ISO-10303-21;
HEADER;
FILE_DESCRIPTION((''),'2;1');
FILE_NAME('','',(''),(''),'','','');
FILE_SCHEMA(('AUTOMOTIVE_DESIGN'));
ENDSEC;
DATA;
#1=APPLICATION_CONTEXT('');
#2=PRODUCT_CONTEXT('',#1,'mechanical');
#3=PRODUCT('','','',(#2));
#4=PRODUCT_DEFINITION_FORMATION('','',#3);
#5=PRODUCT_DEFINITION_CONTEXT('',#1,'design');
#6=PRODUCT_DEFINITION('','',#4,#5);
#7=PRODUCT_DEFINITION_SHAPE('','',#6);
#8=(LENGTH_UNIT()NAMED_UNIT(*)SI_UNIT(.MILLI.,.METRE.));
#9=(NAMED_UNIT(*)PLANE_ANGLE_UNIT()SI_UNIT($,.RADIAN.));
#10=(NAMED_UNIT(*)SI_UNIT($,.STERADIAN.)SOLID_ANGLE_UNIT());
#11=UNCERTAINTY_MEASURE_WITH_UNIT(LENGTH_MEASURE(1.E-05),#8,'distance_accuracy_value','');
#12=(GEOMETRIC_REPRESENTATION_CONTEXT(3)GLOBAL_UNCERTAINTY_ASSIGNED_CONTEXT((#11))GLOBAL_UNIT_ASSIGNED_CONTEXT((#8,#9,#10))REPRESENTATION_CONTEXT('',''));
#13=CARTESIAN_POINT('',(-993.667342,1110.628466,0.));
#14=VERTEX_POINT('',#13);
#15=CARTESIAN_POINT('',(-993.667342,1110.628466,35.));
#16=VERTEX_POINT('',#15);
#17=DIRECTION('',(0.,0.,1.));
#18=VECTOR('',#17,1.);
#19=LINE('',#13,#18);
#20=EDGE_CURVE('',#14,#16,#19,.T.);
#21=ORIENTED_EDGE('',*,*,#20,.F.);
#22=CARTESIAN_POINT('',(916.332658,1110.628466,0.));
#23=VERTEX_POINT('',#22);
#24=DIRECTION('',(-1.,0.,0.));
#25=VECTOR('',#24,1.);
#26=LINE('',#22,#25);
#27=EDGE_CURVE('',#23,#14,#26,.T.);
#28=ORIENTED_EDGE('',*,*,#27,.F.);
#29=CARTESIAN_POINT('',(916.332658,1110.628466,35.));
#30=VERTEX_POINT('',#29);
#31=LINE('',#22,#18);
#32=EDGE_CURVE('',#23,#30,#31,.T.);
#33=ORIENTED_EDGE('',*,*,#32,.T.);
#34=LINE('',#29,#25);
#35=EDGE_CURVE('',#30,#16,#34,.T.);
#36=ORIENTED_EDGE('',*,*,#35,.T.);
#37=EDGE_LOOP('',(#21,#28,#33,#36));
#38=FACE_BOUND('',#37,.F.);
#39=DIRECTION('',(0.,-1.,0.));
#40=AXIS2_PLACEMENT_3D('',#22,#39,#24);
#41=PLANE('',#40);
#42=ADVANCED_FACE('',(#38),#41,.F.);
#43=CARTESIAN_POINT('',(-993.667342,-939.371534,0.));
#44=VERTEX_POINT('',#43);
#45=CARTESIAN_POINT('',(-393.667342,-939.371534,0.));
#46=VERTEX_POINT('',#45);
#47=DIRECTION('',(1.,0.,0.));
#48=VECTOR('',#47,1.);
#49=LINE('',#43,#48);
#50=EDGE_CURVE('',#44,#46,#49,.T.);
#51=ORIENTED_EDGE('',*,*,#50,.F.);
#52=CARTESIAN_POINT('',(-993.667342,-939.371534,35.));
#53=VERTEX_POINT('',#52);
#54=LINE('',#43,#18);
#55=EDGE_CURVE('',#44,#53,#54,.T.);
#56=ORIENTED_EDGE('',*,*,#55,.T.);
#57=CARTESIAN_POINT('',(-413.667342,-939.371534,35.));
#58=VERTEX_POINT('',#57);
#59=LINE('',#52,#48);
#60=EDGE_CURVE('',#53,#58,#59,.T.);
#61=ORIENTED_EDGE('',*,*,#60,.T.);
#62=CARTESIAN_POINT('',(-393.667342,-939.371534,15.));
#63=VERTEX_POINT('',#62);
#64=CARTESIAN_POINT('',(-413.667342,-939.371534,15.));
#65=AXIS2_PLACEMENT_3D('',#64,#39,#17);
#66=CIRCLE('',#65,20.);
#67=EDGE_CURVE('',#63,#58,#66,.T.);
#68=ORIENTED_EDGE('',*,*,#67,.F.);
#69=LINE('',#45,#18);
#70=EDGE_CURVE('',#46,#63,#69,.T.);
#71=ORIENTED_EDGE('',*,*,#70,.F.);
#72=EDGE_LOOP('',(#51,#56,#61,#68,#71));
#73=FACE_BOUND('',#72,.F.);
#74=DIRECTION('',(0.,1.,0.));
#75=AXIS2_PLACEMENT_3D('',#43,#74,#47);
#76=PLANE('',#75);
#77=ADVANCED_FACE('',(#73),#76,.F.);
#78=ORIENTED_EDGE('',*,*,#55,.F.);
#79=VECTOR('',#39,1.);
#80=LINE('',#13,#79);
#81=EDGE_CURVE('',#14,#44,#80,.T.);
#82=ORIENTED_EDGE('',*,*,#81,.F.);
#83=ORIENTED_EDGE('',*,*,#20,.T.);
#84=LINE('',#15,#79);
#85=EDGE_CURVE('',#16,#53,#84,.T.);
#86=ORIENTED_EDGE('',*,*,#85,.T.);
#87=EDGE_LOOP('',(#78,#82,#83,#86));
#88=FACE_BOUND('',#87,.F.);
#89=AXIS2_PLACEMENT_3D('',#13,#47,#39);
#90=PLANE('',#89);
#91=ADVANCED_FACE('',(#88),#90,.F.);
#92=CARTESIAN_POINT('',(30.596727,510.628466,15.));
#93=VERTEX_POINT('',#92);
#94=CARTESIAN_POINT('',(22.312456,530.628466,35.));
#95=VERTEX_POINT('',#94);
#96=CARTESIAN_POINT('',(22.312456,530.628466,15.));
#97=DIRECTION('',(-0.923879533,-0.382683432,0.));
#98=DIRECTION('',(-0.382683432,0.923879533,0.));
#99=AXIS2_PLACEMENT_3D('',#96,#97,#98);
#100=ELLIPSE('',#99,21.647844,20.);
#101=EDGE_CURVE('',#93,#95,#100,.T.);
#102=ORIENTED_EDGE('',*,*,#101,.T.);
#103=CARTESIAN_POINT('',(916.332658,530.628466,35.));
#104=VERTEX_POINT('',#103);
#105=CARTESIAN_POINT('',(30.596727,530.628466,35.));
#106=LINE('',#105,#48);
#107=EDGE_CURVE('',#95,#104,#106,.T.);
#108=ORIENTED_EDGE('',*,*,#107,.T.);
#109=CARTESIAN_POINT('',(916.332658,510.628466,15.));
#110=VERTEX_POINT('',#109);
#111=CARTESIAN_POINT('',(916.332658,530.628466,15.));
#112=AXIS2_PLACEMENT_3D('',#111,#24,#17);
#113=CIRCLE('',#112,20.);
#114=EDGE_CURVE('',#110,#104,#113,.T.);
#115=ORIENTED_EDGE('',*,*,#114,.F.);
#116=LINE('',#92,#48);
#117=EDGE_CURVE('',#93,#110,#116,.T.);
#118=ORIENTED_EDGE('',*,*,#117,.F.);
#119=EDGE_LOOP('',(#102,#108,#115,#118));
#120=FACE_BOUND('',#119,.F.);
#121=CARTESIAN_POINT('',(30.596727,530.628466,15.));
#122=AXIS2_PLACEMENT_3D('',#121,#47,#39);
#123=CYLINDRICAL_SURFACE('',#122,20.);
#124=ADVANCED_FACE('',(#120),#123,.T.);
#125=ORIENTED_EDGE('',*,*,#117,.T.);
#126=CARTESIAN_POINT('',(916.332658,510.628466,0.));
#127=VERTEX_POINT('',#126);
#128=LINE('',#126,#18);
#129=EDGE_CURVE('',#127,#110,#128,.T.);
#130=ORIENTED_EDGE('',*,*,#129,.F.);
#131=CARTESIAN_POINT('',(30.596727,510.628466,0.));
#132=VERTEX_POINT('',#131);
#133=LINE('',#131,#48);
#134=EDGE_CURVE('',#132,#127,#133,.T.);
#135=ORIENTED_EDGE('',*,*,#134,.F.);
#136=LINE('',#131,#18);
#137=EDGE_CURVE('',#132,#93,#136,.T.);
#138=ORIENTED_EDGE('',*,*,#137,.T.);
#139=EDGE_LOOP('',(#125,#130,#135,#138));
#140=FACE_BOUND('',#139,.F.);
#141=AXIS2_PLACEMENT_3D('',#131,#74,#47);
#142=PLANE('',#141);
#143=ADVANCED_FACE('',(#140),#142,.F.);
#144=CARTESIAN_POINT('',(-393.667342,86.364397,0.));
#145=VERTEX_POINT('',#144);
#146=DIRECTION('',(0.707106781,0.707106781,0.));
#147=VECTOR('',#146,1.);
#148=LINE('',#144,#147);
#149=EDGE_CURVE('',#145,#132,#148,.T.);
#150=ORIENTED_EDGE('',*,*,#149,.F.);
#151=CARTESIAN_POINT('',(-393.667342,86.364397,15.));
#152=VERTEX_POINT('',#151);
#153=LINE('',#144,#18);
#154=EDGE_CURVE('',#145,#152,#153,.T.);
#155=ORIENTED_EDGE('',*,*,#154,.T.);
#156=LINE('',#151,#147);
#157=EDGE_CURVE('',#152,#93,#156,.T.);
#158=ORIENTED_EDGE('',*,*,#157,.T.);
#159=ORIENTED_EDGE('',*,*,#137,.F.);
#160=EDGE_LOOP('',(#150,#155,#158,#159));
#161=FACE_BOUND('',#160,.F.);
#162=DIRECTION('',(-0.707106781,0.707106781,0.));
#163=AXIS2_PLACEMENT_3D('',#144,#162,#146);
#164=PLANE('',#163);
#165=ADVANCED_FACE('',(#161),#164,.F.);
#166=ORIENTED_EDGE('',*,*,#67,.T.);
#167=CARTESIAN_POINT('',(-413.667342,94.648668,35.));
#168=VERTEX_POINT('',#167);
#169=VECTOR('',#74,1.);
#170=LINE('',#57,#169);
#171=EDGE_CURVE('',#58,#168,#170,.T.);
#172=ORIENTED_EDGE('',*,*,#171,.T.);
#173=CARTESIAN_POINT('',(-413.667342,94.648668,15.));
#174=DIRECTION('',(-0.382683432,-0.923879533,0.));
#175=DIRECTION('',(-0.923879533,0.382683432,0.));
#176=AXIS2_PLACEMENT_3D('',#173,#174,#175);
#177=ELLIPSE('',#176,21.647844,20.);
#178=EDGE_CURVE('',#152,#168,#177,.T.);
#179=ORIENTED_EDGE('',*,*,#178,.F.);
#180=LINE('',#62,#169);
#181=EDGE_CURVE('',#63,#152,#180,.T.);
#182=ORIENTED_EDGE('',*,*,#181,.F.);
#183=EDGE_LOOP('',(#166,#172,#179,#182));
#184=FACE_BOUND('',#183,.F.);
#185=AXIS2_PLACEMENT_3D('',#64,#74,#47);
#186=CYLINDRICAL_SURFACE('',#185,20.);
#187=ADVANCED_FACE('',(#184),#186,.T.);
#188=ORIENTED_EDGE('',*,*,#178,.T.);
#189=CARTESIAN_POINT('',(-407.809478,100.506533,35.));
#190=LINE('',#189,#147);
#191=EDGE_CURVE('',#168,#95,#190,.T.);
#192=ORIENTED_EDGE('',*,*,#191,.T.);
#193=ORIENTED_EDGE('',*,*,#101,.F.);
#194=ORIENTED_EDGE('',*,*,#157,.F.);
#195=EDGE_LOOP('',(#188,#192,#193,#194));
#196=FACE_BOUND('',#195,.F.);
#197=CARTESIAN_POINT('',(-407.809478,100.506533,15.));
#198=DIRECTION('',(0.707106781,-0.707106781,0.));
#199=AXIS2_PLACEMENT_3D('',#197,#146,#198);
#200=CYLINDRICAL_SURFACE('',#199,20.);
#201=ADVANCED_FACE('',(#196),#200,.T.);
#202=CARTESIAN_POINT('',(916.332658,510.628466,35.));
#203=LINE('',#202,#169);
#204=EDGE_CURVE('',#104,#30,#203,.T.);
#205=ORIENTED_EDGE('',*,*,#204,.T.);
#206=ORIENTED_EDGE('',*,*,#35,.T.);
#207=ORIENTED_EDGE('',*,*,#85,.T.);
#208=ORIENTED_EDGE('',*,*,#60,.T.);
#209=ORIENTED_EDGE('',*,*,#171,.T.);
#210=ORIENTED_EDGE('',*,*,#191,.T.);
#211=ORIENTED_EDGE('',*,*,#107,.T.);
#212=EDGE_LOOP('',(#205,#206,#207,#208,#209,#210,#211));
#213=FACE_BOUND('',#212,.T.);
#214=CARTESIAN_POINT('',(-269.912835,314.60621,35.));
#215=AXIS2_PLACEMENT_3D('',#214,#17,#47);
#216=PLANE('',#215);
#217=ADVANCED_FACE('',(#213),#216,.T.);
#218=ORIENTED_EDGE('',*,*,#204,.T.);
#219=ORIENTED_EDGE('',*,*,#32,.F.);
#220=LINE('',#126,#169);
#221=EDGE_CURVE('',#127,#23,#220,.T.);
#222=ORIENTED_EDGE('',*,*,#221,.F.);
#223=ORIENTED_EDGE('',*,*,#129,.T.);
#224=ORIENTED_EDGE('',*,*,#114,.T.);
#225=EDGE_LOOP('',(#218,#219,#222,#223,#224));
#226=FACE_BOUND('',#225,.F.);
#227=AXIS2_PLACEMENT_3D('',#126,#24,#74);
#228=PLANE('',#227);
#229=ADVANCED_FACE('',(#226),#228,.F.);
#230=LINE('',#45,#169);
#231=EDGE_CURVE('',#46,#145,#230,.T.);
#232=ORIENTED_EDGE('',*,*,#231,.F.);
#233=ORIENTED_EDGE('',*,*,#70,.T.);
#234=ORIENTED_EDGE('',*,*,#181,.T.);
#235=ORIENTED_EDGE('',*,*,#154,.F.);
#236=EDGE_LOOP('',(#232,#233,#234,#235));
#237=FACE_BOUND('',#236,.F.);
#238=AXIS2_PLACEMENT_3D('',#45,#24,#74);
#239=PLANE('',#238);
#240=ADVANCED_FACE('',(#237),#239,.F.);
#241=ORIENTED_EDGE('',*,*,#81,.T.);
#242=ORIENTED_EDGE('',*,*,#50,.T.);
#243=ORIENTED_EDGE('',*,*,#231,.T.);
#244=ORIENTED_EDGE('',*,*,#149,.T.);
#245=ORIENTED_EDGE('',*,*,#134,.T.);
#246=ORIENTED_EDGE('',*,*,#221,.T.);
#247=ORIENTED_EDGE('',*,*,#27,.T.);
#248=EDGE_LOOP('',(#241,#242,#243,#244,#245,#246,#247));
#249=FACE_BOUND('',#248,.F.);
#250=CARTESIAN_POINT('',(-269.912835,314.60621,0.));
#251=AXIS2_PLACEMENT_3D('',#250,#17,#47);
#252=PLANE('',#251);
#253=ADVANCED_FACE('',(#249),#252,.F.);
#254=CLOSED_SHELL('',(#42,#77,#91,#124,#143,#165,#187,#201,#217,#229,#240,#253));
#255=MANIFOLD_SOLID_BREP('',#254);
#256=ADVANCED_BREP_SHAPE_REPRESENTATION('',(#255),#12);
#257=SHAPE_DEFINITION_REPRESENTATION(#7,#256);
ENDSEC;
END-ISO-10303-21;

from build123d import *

# Parameters (mm, degrees)
F1_DEPTH = 35
F2_R     = 20


with BuildPart() as f1:
    # F0 (on Top) → F1 (new body)
    with BuildSketch(Plane.XY):
        Polygon((-993.667342, 1110.628466), (-993.667342, -939.371534), (-393.667342, -939.371534), (-393.667342, 86.364397), (30.596727, 510.628466), (916.332658, 510.628466), (916.332658, 1110.628466), align=None)
    extrude(amount=F1_DEPTH)

    # F2
    f2_edges = [f1.edges().sort_by_distance(p)[0] for p in [
        (-393.667342, -426.503569, 35),
        (-181.535307, 298.496431, 35),
        (473.464693, 510.628466, 35),
    ]]
    fillet(f2_edges, radius=F2_R)


solid = f1.part
